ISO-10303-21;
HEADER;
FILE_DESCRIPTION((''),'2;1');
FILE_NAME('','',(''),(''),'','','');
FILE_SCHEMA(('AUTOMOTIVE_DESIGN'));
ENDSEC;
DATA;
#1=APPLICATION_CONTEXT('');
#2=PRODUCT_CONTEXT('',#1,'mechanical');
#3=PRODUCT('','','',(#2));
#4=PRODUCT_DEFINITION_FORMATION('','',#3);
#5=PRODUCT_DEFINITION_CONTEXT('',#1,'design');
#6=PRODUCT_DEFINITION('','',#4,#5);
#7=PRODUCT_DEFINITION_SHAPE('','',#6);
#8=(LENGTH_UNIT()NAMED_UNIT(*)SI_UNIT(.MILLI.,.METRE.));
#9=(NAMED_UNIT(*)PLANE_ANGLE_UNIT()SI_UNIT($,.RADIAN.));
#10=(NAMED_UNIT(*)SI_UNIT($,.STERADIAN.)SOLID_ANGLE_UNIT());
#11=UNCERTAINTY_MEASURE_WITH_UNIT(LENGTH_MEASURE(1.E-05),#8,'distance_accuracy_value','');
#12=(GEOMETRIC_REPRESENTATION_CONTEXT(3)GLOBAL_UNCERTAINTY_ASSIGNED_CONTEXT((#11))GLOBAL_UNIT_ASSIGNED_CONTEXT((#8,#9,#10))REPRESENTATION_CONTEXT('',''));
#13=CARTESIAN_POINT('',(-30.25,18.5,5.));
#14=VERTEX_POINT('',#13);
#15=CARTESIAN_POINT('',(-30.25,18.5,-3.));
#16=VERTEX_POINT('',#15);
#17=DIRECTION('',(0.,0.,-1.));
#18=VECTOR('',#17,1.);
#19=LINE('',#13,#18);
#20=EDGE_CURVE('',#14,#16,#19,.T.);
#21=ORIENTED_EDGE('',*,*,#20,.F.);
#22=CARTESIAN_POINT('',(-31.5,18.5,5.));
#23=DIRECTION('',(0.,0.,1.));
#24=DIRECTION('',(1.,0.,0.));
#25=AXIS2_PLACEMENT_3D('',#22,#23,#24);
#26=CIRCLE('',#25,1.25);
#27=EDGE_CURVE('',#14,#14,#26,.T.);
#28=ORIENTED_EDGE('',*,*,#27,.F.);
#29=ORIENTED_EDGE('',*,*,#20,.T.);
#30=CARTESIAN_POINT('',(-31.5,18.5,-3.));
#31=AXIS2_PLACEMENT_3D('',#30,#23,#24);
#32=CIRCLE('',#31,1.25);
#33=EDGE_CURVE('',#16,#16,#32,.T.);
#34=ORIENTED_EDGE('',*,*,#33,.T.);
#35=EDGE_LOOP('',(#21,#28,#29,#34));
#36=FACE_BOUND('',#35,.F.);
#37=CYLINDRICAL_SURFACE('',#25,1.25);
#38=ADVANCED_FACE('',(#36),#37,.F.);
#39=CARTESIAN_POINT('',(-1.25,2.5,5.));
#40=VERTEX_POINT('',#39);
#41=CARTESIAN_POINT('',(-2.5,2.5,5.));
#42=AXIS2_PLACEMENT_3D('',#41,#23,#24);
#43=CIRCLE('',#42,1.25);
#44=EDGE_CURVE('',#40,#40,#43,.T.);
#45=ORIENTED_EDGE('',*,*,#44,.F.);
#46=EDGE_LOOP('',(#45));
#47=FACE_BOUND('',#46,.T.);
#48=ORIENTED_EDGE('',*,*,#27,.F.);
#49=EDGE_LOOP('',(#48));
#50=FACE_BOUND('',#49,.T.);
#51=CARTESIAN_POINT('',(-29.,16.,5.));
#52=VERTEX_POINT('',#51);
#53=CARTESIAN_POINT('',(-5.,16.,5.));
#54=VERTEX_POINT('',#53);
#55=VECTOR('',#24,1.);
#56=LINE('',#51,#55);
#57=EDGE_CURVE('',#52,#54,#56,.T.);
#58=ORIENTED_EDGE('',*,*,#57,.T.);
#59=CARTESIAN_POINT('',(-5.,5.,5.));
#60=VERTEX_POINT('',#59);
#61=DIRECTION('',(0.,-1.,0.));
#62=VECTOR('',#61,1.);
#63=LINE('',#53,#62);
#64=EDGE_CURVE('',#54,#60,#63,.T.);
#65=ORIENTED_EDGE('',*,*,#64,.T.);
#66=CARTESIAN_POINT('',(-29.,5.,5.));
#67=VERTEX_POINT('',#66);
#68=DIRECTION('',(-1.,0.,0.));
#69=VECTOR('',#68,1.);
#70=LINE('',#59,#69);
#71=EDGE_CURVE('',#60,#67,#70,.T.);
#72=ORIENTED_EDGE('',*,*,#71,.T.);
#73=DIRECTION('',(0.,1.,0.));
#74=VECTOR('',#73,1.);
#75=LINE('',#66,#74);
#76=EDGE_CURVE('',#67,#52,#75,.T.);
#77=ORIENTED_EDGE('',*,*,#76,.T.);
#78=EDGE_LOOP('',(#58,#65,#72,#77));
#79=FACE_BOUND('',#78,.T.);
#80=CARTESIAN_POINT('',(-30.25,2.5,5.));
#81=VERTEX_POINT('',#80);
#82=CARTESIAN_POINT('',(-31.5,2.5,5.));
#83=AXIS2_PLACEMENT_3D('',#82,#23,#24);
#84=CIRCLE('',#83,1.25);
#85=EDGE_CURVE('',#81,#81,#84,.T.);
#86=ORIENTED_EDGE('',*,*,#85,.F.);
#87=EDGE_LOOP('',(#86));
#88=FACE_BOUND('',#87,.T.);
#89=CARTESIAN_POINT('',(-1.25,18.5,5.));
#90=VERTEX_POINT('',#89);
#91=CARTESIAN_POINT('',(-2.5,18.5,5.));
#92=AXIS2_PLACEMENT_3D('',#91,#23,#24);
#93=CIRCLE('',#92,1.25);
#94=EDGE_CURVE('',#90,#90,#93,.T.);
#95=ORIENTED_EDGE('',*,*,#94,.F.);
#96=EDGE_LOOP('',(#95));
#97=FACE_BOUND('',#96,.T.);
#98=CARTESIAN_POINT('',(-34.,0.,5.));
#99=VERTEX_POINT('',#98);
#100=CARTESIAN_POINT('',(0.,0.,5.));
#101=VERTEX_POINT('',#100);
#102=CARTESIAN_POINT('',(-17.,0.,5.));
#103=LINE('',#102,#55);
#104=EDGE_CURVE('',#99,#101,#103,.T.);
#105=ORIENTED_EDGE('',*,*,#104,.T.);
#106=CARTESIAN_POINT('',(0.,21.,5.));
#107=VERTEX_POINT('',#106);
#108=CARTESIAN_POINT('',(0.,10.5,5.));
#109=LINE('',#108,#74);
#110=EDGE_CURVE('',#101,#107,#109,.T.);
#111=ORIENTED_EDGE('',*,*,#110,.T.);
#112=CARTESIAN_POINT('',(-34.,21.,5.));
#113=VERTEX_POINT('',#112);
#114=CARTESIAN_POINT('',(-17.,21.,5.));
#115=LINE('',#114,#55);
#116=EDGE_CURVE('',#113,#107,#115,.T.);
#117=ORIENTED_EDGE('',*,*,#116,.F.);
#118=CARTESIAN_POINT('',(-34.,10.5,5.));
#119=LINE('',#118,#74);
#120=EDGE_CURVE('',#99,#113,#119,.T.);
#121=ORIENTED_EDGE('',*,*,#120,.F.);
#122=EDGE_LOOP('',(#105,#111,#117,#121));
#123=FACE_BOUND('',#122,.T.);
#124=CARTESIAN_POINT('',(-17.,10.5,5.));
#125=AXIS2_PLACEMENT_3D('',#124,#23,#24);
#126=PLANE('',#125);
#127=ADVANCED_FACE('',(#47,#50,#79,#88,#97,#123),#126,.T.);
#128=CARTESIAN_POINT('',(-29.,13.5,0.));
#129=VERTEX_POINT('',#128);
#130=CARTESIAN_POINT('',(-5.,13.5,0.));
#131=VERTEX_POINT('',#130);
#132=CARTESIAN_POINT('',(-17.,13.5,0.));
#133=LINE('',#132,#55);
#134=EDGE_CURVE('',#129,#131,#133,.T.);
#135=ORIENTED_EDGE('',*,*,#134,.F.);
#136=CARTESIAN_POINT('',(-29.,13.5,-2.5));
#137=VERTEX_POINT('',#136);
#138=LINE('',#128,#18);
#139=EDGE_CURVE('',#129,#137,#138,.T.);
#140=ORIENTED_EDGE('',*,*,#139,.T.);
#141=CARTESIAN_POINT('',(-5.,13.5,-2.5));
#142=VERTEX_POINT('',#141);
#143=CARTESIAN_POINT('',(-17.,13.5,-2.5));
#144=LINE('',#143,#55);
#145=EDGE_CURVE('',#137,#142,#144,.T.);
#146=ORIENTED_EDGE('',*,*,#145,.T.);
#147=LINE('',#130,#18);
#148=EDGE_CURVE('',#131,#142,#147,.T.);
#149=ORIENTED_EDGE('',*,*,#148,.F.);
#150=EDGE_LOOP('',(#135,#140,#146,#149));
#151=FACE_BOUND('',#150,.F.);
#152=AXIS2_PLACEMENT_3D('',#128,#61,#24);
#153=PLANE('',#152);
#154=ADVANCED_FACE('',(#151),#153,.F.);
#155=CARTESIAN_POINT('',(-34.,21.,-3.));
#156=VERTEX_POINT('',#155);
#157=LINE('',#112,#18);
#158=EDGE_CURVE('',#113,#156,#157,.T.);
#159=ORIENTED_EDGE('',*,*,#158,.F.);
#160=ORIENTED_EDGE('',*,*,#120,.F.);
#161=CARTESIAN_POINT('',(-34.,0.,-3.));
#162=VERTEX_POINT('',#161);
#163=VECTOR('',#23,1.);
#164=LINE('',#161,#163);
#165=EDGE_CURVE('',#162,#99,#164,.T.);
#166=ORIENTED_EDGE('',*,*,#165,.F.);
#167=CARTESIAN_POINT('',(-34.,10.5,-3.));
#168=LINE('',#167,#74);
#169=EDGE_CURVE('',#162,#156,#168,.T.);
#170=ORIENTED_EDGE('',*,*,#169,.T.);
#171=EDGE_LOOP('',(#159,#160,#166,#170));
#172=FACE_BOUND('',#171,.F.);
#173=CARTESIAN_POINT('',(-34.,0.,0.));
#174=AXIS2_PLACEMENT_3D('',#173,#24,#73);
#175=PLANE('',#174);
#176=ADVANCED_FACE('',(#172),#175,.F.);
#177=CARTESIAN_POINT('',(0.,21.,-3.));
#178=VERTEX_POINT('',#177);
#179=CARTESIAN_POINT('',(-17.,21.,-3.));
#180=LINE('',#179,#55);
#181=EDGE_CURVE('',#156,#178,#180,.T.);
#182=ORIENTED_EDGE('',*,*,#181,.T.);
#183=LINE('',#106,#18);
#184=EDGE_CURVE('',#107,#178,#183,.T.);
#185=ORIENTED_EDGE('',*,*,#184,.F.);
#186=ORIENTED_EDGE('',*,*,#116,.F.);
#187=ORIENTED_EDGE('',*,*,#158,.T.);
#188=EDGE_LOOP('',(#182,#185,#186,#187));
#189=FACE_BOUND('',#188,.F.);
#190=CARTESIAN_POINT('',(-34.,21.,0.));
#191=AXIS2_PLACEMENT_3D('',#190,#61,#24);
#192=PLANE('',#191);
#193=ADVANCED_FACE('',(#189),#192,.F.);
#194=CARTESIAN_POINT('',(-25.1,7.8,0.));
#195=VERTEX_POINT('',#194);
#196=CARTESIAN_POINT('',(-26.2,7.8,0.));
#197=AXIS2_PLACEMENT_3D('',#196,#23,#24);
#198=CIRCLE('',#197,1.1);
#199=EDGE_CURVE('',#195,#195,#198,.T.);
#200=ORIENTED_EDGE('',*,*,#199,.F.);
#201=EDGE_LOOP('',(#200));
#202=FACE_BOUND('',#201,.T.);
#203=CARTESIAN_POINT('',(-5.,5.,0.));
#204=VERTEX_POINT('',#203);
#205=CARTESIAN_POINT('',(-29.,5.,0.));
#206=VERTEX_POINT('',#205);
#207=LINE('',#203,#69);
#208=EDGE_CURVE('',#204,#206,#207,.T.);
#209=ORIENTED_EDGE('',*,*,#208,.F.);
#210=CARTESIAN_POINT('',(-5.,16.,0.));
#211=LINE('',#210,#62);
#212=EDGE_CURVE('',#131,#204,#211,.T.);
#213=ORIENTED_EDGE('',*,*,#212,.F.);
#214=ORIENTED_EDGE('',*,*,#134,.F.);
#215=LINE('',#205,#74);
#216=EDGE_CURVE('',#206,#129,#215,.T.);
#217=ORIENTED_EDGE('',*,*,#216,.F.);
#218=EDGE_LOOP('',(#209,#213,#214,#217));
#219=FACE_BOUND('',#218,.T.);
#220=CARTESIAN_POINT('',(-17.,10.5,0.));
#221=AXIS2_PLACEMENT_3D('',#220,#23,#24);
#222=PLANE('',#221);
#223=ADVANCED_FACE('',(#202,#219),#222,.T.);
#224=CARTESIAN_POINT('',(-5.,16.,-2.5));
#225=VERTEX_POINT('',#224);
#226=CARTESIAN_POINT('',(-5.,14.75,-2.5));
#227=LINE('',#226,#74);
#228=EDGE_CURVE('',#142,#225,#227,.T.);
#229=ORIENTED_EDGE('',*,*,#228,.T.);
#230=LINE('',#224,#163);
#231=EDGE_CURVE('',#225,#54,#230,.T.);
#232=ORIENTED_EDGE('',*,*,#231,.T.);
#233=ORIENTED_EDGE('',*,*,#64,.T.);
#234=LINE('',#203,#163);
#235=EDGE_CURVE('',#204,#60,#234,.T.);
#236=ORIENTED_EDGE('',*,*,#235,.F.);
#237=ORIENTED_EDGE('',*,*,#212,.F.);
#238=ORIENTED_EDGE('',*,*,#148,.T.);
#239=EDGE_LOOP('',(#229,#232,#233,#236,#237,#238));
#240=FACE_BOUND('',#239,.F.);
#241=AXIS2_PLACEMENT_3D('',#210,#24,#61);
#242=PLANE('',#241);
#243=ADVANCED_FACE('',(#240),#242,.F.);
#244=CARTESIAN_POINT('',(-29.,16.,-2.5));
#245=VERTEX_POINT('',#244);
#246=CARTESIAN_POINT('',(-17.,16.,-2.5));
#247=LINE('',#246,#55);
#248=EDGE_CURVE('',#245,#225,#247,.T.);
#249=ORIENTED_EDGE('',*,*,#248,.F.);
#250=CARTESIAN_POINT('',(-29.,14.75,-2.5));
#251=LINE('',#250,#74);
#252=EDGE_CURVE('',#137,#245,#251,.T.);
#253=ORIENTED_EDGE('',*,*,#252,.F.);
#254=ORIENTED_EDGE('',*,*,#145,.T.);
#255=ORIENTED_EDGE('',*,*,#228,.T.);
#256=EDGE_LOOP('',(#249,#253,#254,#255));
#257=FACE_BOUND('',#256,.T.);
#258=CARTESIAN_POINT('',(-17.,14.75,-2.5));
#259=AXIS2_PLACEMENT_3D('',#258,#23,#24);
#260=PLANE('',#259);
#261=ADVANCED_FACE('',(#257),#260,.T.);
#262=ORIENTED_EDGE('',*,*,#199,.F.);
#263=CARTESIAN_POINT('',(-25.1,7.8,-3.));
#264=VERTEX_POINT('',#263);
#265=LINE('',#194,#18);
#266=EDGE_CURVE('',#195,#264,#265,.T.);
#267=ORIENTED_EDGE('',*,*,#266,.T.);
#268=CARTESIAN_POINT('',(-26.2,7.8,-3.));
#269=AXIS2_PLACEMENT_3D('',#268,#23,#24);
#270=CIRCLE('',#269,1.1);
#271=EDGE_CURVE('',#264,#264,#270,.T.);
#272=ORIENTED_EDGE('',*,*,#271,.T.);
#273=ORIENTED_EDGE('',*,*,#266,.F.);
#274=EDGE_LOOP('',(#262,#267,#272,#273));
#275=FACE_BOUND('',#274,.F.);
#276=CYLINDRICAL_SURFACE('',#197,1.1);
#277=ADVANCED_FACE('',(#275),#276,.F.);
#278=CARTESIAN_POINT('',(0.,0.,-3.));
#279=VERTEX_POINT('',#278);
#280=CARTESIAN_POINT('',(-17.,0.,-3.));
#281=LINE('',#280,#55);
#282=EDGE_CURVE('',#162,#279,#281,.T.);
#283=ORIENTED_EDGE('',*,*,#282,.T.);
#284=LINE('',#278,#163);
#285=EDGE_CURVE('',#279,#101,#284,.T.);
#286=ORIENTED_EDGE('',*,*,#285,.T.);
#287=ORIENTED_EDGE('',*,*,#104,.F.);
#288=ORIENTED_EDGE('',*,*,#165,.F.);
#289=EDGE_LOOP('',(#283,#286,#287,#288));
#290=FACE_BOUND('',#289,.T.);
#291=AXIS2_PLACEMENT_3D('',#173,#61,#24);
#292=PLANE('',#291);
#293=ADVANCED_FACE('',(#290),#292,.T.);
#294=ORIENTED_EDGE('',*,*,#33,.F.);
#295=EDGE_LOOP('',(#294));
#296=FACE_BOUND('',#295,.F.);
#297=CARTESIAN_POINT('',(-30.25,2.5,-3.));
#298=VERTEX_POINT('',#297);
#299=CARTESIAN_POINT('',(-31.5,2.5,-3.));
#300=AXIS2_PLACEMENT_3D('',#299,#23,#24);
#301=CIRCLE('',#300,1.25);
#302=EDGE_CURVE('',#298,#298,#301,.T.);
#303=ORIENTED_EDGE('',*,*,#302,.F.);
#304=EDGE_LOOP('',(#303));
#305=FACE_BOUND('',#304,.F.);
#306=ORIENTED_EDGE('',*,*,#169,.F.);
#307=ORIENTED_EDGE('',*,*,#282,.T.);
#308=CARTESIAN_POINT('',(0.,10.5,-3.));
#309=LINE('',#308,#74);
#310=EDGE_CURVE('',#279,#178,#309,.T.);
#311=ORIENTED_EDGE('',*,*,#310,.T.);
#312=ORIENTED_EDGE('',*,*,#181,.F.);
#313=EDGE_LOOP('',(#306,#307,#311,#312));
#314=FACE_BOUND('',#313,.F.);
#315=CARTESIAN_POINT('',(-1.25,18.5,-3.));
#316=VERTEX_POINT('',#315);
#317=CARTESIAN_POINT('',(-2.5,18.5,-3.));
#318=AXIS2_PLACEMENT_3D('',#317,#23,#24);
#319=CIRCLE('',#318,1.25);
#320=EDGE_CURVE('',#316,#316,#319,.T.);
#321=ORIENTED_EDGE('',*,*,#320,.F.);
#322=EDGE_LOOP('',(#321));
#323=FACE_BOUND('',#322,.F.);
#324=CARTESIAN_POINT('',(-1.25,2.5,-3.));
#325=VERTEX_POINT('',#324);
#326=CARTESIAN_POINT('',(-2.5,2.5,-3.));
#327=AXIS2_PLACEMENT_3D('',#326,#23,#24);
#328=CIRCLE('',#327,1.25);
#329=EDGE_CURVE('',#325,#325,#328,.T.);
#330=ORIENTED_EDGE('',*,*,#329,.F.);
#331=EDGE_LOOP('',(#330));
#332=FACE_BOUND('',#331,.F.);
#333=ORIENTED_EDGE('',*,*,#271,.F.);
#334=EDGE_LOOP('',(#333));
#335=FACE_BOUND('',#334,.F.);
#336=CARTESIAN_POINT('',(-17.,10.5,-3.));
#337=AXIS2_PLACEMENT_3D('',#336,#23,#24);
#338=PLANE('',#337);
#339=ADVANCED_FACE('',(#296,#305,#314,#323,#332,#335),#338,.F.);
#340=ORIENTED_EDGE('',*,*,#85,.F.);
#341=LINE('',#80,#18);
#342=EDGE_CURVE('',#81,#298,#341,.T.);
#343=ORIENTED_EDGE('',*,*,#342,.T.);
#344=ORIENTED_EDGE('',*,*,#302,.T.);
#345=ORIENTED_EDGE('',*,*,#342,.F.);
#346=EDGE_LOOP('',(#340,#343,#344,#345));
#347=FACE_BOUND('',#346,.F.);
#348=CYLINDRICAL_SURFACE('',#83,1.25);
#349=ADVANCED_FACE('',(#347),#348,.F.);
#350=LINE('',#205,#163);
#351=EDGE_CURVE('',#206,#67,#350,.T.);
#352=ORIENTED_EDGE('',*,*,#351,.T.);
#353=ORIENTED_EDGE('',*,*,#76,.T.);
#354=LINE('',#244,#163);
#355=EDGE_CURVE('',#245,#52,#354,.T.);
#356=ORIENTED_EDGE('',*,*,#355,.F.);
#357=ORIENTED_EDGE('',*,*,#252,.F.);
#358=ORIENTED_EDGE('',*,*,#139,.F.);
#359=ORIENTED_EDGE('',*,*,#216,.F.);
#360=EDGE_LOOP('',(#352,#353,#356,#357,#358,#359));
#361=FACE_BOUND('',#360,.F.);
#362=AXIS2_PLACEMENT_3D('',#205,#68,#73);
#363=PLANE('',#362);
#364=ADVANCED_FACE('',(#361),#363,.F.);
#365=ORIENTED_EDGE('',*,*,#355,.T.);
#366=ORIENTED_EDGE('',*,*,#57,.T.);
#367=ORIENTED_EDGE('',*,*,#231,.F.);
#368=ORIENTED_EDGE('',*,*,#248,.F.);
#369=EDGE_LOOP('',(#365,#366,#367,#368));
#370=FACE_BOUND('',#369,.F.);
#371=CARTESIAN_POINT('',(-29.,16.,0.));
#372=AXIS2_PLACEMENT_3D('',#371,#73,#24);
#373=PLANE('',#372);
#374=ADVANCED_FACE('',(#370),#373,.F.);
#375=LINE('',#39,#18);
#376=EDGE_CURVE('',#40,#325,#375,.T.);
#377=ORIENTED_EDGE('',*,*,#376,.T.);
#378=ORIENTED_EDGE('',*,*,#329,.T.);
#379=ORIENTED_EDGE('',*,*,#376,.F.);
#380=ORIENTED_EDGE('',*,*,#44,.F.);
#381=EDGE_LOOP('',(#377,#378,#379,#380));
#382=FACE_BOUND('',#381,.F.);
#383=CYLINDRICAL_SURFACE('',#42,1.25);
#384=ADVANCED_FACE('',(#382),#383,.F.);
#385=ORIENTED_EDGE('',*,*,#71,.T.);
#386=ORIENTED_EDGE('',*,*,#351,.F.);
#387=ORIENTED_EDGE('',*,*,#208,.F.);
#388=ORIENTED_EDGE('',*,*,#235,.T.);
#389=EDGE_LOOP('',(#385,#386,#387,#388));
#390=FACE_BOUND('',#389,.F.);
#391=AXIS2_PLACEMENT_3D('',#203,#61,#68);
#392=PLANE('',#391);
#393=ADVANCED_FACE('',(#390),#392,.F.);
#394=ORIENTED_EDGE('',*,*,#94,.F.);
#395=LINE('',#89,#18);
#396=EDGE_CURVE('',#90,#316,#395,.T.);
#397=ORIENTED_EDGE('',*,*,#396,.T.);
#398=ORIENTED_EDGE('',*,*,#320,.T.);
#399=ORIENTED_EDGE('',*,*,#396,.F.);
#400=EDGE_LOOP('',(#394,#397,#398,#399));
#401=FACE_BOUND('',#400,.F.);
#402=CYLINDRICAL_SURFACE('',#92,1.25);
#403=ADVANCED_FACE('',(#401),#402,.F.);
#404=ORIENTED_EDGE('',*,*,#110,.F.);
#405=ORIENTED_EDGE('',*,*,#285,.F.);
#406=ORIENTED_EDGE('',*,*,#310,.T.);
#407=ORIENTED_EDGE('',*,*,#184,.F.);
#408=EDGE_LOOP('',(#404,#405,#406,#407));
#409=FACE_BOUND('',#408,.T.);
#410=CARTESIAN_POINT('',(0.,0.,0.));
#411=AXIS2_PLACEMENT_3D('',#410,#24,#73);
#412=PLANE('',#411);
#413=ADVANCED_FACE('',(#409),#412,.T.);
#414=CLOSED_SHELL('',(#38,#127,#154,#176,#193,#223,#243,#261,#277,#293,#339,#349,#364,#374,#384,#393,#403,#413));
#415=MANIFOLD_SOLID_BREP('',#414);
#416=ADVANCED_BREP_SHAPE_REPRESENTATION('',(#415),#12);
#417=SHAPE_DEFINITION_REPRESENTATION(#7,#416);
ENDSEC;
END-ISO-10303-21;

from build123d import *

# Parameters (mm, degrees)
F0_W     = 34
F0_H     = 21
F1_DEPTH = 5
F0_W_2   = 24
F0_H_2   = 8.5
F0_H_3   = 2.5
F2_DEPTH = 3
F3_DEPTH = 2.5
F4_R     = 1.1
F5_DEPTH = 3
F6_R     = 1.25
F7_DEPTH = 8


with BuildPart() as f1:
    # F0 (on Top) → F1 (new body)
    with BuildSketch(Plane.XY):
        with Locations((-17, 10.5)):
            Rectangle(F0_W, F0_H)
        Polygon((-29, 13.5), (-29, 16), (-5, 16), (-5, 13.5), (-5, 5), (-29, 5), align=None, mode=Mode.SUBTRACT)
    extrude(amount=F1_DEPTH)

    # F0 (on Top) → F2 (join)
    with BuildSketch(Plane.XY):
        with Locations((-17, 10.5)):
            Rectangle(F0_W, F0_H)
        Polygon((-29, 13.5), (-29, 16), (-5, 16), (-5, 13.5), (-5, 5), (-29, 5), align=None, mode=Mode.SUBTRACT)
        with Locations((-17, 9.25)):
            Rectangle(F0_W_2, F0_H_2)
        with Locations((-17, 14.75)):
            Rectangle(F0_W_2, F0_H_3)
    extrude(amount=-F2_DEPTH)

    # F0 (on Top) → F3 (cut)
    with BuildSketch(Plane.XY):
        with Locations((-17, 14.75)):
            Rectangle(F0_W_2, F0_H_3)
    extrude(amount=-F3_DEPTH, mode=Mode.SUBTRACT)

    # F4 (on face) → F5 (cut, through all)
    with BuildSketch(Plane.XY):
        with Locations((-26.2, 7.8)):
            Circle(F4_R)
    extrude(amount=-F5_DEPTH, mode=Mode.SUBTRACT)

    # F6 (on face) → F7 (cut, through all)
    with BuildSketch(Plane.XY.offset(5)):
        with Locations((-31.5, 18.5)):
            Circle(F6_R)
        with Locations((-2.5, 18.5)):
            Circle(F6_R)
        with Locations((-2.5, 2.5)):
            Circle(F6_R)
        with Locations((-31.5, 2.5)):
            Circle(F6_R)
    extrude(amount=-F7_DEPTH, mode=Mode.SUBTRACT)


solid = f1.part
